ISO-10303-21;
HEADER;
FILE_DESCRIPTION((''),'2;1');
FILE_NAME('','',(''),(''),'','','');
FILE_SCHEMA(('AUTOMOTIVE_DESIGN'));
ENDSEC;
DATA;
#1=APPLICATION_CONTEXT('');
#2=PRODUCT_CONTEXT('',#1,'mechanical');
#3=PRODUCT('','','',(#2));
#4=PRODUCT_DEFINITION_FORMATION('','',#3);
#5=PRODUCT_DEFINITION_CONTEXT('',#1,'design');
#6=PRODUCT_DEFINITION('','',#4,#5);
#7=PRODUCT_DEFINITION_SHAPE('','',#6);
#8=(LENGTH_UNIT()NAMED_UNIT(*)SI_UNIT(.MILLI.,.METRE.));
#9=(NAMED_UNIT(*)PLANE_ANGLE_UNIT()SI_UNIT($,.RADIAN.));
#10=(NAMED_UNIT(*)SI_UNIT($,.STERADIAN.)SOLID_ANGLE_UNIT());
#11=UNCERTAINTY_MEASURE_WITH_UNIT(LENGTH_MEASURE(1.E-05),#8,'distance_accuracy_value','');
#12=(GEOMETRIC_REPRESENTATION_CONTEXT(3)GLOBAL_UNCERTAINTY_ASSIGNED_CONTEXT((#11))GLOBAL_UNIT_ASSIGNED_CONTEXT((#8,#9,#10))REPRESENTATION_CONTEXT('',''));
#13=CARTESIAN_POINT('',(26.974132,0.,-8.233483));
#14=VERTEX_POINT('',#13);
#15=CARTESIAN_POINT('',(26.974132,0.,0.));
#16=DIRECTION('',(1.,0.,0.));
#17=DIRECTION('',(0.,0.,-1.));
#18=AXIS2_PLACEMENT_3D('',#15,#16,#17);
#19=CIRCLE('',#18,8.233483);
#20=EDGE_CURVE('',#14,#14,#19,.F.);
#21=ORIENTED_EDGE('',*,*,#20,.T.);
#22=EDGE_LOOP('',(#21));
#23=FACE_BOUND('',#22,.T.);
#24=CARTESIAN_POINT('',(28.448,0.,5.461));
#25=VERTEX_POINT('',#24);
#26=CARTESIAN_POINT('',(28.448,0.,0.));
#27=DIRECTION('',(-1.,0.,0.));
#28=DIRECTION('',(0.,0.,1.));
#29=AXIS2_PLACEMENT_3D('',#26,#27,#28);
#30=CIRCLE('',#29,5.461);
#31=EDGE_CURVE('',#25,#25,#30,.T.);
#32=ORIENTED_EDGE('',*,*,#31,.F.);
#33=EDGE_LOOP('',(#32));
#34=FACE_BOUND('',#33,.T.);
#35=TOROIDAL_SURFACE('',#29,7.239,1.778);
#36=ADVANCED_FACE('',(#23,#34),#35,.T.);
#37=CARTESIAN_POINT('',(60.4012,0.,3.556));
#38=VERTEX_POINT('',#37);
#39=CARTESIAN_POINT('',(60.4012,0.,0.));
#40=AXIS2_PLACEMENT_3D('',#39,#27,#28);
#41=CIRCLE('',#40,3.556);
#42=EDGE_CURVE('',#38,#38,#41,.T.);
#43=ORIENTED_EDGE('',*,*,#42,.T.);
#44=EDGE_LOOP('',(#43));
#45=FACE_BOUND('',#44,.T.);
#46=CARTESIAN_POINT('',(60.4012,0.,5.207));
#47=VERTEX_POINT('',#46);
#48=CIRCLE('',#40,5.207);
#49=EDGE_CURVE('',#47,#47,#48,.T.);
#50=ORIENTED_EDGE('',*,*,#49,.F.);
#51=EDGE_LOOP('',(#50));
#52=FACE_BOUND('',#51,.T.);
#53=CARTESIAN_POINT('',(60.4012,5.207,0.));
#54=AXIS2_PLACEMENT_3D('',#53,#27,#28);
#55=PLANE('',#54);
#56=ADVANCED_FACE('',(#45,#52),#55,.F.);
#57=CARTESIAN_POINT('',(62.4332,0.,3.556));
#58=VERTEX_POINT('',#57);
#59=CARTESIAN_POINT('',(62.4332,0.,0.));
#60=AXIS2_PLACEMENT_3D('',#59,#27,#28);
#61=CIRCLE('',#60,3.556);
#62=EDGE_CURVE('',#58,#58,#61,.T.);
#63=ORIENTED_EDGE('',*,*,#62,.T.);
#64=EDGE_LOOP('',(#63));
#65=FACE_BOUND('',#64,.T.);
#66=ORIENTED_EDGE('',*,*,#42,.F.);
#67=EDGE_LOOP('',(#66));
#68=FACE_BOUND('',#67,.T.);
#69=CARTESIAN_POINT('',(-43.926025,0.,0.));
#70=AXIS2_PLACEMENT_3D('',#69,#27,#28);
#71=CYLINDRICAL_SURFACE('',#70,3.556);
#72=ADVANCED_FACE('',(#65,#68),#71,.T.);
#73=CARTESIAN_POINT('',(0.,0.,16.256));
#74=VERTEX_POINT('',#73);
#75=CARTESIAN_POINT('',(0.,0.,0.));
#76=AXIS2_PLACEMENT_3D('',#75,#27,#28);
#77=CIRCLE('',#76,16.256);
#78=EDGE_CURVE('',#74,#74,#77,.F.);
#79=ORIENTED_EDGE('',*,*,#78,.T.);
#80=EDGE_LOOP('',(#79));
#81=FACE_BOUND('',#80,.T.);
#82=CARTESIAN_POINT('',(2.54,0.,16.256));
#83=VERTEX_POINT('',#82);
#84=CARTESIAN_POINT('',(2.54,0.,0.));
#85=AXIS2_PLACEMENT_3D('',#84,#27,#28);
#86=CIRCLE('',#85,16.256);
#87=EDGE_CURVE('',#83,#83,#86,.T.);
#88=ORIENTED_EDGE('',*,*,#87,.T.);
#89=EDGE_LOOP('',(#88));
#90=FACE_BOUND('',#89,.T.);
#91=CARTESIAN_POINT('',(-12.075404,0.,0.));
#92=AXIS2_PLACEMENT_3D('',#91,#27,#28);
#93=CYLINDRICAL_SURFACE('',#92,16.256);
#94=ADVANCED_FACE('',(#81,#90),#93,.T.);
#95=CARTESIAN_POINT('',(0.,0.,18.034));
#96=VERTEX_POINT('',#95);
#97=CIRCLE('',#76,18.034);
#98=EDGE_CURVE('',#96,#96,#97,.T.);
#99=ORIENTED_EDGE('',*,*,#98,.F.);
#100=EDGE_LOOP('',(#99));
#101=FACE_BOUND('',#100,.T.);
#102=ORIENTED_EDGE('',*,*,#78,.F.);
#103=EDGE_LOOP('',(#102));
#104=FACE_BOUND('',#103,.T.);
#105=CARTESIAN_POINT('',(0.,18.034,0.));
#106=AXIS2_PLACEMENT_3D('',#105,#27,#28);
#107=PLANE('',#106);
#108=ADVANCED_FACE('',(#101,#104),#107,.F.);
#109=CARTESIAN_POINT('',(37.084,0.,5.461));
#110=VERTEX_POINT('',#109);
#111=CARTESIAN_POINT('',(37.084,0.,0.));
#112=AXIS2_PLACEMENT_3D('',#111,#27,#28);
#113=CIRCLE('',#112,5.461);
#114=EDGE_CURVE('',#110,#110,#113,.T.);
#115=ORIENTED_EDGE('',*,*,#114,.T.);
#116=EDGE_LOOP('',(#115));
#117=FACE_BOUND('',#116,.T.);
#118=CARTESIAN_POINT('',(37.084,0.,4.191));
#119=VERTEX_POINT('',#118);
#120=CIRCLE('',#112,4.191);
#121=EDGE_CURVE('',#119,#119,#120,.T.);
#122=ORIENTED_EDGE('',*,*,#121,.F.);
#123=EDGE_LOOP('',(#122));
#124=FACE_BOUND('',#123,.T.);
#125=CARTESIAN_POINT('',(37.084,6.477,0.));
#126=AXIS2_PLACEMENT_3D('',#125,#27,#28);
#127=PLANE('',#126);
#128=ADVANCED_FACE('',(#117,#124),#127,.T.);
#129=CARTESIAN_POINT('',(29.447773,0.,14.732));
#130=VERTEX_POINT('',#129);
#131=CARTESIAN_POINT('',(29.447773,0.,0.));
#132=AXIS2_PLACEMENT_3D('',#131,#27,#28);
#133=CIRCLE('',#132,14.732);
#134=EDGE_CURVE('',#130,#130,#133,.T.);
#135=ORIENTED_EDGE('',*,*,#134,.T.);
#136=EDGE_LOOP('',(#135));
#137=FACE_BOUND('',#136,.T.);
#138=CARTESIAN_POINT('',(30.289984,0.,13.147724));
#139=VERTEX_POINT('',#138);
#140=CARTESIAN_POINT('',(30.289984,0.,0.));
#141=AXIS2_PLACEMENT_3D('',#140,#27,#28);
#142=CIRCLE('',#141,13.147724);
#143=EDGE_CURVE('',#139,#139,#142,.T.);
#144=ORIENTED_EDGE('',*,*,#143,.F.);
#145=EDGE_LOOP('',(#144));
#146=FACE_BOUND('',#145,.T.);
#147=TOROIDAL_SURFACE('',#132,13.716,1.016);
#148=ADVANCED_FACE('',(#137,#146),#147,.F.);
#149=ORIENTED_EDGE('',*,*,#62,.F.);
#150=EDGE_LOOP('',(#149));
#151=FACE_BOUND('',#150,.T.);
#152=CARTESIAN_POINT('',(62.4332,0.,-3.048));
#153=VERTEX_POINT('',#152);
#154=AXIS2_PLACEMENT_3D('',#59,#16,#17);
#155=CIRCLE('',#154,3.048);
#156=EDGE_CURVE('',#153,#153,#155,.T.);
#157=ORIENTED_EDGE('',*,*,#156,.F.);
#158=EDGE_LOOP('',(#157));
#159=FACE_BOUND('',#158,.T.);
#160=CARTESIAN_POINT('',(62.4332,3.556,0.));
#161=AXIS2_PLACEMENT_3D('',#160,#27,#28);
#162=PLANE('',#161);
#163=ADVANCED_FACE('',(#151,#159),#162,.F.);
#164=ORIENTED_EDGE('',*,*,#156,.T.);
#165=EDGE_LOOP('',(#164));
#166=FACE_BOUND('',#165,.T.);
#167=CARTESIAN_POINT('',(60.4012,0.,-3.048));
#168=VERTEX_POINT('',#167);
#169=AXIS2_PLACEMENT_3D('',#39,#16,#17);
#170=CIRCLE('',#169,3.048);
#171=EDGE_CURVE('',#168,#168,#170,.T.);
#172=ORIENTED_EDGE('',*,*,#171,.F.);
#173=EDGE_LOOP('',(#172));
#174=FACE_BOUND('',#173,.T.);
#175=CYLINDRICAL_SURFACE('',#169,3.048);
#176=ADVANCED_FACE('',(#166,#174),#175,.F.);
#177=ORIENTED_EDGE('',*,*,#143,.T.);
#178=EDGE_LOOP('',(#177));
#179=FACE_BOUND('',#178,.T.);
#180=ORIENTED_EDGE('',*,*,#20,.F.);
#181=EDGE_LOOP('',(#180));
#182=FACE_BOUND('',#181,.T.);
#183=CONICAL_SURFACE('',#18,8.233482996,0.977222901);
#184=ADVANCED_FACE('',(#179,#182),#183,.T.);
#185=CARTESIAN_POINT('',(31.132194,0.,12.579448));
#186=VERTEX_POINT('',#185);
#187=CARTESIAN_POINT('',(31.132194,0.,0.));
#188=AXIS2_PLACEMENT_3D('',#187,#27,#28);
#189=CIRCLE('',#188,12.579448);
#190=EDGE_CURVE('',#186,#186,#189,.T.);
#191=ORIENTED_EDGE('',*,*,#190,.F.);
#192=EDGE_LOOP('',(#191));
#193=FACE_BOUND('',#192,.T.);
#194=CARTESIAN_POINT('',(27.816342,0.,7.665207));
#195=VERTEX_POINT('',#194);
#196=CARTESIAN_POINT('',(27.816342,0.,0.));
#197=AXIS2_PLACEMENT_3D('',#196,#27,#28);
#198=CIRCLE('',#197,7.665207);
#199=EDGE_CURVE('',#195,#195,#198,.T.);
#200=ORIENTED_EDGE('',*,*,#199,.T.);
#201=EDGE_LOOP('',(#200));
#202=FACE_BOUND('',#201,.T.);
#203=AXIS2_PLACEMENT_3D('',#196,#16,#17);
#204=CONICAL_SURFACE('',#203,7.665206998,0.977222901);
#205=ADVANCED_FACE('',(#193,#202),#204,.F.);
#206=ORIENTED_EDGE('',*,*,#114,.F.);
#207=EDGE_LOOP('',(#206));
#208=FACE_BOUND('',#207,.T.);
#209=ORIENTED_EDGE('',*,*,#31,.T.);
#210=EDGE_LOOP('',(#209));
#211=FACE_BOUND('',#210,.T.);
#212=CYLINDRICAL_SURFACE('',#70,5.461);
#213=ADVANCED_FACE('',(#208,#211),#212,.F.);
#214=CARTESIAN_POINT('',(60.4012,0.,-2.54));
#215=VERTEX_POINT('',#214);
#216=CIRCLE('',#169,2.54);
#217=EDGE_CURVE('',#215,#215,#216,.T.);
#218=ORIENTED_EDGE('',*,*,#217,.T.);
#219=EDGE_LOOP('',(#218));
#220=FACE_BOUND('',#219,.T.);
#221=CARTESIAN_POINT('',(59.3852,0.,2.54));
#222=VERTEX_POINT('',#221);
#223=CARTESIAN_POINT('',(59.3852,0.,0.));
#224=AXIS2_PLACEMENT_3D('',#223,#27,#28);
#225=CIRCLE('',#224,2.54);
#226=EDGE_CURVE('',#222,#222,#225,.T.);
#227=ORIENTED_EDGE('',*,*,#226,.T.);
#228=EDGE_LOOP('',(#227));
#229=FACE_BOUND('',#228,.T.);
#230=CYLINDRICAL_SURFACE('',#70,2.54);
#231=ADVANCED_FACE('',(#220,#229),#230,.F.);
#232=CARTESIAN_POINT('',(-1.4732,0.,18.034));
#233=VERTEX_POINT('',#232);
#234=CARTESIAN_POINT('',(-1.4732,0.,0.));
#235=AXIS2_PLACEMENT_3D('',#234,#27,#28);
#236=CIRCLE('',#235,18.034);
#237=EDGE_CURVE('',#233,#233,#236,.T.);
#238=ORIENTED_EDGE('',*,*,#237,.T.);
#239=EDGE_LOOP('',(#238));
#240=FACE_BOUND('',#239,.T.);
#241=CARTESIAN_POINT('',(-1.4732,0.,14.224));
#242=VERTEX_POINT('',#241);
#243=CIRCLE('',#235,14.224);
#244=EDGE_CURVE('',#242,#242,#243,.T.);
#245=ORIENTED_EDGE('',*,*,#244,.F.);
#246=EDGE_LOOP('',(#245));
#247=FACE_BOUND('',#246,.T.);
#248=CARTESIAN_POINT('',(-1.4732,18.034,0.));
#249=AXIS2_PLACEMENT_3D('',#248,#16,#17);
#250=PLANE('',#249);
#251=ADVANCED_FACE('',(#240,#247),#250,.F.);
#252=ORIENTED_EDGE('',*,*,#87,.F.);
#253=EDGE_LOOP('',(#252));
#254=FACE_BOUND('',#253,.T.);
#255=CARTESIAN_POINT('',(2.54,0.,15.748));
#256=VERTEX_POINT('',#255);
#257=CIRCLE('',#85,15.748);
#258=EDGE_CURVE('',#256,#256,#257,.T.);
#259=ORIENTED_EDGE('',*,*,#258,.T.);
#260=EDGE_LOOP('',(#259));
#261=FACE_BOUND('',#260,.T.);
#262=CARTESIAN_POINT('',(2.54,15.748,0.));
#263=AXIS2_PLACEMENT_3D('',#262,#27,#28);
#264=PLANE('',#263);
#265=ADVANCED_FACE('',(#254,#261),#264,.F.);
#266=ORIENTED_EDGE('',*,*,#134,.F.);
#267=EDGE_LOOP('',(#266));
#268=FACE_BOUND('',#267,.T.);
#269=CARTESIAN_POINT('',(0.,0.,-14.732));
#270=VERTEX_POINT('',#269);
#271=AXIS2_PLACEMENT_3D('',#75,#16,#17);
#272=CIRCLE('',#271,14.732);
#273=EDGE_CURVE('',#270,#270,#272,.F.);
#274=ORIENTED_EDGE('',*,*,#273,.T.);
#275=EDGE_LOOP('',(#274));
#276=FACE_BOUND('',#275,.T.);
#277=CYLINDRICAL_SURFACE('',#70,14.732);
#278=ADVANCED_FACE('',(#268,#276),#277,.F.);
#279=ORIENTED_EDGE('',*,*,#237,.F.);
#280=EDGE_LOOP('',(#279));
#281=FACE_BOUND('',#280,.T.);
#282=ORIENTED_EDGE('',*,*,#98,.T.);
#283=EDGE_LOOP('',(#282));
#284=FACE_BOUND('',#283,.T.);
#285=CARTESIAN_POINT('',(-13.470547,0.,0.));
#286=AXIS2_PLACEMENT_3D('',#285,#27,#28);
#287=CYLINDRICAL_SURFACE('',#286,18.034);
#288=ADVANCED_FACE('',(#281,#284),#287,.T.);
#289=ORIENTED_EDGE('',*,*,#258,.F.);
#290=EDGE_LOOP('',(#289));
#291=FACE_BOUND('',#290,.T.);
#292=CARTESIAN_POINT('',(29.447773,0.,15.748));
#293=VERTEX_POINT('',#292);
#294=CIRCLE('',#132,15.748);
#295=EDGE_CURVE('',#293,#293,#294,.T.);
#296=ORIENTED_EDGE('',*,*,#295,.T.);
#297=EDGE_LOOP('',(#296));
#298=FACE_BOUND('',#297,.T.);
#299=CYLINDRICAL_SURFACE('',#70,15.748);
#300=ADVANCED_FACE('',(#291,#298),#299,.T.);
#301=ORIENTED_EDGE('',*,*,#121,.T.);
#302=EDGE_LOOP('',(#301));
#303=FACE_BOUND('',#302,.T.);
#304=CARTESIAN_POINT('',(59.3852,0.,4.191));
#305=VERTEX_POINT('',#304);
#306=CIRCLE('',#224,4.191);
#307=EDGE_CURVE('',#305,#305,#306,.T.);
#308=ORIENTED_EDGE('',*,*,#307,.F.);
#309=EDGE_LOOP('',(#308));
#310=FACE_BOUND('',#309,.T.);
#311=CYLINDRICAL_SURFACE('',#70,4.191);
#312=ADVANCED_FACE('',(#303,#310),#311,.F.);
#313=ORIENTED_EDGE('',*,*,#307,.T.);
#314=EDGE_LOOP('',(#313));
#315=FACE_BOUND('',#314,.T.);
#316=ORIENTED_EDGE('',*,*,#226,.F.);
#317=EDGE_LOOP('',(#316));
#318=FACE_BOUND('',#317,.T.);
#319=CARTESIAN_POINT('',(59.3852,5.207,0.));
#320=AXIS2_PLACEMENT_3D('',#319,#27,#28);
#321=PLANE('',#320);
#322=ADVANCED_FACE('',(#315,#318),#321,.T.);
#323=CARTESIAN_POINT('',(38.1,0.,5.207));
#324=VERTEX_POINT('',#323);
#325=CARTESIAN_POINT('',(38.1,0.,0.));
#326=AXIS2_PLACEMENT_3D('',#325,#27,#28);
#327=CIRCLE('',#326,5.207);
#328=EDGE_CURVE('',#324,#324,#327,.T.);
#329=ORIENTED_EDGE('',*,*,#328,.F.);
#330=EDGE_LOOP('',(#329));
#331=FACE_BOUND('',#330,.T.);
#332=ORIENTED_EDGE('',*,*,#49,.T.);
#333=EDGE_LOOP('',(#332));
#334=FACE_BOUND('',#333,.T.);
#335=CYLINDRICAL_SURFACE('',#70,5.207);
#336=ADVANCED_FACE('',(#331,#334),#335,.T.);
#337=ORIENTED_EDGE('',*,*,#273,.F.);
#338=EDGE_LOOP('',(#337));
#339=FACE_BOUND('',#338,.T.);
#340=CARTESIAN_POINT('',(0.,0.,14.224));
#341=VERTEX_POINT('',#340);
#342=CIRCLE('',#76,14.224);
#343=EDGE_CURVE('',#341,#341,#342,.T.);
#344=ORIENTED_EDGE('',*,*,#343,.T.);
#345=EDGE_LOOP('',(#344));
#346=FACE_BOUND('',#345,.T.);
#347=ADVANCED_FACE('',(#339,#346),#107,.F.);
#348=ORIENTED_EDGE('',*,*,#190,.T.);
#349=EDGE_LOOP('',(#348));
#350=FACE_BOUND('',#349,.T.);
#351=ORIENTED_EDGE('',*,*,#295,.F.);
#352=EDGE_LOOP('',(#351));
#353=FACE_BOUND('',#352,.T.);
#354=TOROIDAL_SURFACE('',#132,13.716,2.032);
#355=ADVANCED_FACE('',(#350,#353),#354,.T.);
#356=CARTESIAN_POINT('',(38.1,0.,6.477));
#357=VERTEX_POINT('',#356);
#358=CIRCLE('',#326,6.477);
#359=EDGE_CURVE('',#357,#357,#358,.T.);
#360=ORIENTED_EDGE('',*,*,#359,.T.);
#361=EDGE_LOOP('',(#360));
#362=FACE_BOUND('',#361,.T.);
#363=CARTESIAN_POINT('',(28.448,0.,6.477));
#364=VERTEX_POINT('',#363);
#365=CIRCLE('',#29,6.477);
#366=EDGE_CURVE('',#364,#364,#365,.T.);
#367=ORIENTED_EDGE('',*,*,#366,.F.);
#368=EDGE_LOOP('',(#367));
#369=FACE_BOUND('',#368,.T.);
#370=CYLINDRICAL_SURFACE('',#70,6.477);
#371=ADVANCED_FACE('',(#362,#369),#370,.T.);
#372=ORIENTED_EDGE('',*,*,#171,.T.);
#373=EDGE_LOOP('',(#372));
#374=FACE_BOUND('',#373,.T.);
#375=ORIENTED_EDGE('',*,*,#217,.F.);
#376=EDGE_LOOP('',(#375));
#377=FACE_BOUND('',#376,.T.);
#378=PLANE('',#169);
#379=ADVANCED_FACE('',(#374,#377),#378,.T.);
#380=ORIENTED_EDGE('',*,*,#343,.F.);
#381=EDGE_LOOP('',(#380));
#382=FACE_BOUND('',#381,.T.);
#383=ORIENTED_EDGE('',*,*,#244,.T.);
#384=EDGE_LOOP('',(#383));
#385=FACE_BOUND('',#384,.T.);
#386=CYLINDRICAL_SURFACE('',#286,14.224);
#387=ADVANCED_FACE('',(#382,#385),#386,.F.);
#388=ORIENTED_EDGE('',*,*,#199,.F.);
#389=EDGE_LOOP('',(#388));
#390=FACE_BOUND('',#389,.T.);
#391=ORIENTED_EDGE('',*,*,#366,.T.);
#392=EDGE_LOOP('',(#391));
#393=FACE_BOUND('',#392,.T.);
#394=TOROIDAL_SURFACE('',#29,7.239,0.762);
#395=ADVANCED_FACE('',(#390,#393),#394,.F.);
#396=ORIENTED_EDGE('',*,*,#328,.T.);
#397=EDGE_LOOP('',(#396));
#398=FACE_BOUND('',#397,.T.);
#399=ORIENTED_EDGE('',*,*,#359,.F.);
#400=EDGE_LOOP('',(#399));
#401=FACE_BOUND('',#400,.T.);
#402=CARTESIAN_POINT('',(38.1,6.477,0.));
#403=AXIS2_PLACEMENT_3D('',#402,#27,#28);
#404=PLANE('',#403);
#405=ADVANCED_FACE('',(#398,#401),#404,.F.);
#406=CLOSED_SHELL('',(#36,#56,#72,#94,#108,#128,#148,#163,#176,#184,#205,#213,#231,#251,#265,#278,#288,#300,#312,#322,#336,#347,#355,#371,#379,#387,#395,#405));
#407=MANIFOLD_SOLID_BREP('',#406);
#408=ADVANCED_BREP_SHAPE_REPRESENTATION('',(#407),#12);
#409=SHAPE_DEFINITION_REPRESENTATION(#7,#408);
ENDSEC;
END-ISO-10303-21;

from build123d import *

# Parameters (mm, degrees)
SHELL2_T           = -1.016
SKETCH2_R          = 3.048
CUT_EXTRUDE1_DEPTH = 2.032
SKETCH3_W          = 1.4732
SKETCH3_H          = 3.81
SKETCH5_W          = 2.54
SKETCH5_H          = 0.508


with BuildPart() as part:
    # Sketch1 → Revolve1 (revolve)
    with BuildSketch(Plane.XY, mode=Mode.PRIVATE) as revolve1_sk:
        with BuildLine():
            Line((0, 15.748), (29.447773474, 15.748))
            ThreePointArc((29.447773474, 15.748), (31.242, 14.669821353), (31.132194313, 12.579448005))
            Line((31.132194313, 12.579448005), (27.816342185, 7.665206998))
            ThreePointArc((27.816342185, 7.665206998), (27.775165053, 6.881316993), (28.448, 6.477))
            Line((28.448, 6.477), (38.1, 6.477))
            Line((38.1, 6.477), (38.1, 5.207))
            Line((38.1, 5.207), (60.4012, 5.207))
            Line((60.4012, 5.207), (60.4012, 3.556))
            Line((60.4012, 3.556), (62.4332, 3.556))
            Line((62.4332, 3.556), (62.4332, 0))
            Line((62.4332, 0), (0, 0))
            Line((0, 0), (0, 15.748))
        make_face()
    revolve(revolve1_sk.sketch.rotate(Axis((-43.926024549, 0, 0), (1, 0, 0)), 90), axis=Axis((-43.926024549, 0, 0), (1, 0, 0)))

    # Shell2
    shell2_openings = [part.faces().sort_by_distance(p)[0] for p in [
        (0, 0, 0),
    ]]
    offset(amount=SHELL2_T, openings=shell2_openings, kind=Kind.INTERSECTION)

    # Sketch2 → Cut-Extrude1 (cut)
    with BuildSketch(Plane(origin=(62.4332, 0, 0), x_dir=(0, 0, -1), z_dir=(1, 0, 0))):
        Circle(SKETCH2_R)
    extrude(amount=-CUT_EXTRUDE1_DEPTH, mode=Mode.SUBTRACT)

    # Sketch3 → Revolve2 (revolve)
    with BuildSketch(Plane.XY, mode=Mode.PRIVATE) as revolve2_sk:
        with Locations((-0.7366, 16.129)):
            Rectangle(SKETCH3_W, SKETCH3_H)
    revolve(revolve2_sk.sketch.rotate(Axis((-13.470547245, 0, 0), (1, 0, 0)), 90), axis=Axis((-13.470547245, 0, 0), (1, 0, 0)))

    # Sketch5 → Revolve4 (revolve)
    with BuildSketch(Plane.XY, mode=Mode.PRIVATE) as revolve4_sk:
        with Locations((1.27, 16.002)):
            Rectangle(SKETCH5_W, SKETCH5_H)
    revolve(revolve4_sk.sketch.rotate(Axis((-12.075404137, 0, 0), (1, 0, 0)), 90), axis=Axis((-12.075404137, 0, 0), (1, 0, 0)))


solid = part.part
